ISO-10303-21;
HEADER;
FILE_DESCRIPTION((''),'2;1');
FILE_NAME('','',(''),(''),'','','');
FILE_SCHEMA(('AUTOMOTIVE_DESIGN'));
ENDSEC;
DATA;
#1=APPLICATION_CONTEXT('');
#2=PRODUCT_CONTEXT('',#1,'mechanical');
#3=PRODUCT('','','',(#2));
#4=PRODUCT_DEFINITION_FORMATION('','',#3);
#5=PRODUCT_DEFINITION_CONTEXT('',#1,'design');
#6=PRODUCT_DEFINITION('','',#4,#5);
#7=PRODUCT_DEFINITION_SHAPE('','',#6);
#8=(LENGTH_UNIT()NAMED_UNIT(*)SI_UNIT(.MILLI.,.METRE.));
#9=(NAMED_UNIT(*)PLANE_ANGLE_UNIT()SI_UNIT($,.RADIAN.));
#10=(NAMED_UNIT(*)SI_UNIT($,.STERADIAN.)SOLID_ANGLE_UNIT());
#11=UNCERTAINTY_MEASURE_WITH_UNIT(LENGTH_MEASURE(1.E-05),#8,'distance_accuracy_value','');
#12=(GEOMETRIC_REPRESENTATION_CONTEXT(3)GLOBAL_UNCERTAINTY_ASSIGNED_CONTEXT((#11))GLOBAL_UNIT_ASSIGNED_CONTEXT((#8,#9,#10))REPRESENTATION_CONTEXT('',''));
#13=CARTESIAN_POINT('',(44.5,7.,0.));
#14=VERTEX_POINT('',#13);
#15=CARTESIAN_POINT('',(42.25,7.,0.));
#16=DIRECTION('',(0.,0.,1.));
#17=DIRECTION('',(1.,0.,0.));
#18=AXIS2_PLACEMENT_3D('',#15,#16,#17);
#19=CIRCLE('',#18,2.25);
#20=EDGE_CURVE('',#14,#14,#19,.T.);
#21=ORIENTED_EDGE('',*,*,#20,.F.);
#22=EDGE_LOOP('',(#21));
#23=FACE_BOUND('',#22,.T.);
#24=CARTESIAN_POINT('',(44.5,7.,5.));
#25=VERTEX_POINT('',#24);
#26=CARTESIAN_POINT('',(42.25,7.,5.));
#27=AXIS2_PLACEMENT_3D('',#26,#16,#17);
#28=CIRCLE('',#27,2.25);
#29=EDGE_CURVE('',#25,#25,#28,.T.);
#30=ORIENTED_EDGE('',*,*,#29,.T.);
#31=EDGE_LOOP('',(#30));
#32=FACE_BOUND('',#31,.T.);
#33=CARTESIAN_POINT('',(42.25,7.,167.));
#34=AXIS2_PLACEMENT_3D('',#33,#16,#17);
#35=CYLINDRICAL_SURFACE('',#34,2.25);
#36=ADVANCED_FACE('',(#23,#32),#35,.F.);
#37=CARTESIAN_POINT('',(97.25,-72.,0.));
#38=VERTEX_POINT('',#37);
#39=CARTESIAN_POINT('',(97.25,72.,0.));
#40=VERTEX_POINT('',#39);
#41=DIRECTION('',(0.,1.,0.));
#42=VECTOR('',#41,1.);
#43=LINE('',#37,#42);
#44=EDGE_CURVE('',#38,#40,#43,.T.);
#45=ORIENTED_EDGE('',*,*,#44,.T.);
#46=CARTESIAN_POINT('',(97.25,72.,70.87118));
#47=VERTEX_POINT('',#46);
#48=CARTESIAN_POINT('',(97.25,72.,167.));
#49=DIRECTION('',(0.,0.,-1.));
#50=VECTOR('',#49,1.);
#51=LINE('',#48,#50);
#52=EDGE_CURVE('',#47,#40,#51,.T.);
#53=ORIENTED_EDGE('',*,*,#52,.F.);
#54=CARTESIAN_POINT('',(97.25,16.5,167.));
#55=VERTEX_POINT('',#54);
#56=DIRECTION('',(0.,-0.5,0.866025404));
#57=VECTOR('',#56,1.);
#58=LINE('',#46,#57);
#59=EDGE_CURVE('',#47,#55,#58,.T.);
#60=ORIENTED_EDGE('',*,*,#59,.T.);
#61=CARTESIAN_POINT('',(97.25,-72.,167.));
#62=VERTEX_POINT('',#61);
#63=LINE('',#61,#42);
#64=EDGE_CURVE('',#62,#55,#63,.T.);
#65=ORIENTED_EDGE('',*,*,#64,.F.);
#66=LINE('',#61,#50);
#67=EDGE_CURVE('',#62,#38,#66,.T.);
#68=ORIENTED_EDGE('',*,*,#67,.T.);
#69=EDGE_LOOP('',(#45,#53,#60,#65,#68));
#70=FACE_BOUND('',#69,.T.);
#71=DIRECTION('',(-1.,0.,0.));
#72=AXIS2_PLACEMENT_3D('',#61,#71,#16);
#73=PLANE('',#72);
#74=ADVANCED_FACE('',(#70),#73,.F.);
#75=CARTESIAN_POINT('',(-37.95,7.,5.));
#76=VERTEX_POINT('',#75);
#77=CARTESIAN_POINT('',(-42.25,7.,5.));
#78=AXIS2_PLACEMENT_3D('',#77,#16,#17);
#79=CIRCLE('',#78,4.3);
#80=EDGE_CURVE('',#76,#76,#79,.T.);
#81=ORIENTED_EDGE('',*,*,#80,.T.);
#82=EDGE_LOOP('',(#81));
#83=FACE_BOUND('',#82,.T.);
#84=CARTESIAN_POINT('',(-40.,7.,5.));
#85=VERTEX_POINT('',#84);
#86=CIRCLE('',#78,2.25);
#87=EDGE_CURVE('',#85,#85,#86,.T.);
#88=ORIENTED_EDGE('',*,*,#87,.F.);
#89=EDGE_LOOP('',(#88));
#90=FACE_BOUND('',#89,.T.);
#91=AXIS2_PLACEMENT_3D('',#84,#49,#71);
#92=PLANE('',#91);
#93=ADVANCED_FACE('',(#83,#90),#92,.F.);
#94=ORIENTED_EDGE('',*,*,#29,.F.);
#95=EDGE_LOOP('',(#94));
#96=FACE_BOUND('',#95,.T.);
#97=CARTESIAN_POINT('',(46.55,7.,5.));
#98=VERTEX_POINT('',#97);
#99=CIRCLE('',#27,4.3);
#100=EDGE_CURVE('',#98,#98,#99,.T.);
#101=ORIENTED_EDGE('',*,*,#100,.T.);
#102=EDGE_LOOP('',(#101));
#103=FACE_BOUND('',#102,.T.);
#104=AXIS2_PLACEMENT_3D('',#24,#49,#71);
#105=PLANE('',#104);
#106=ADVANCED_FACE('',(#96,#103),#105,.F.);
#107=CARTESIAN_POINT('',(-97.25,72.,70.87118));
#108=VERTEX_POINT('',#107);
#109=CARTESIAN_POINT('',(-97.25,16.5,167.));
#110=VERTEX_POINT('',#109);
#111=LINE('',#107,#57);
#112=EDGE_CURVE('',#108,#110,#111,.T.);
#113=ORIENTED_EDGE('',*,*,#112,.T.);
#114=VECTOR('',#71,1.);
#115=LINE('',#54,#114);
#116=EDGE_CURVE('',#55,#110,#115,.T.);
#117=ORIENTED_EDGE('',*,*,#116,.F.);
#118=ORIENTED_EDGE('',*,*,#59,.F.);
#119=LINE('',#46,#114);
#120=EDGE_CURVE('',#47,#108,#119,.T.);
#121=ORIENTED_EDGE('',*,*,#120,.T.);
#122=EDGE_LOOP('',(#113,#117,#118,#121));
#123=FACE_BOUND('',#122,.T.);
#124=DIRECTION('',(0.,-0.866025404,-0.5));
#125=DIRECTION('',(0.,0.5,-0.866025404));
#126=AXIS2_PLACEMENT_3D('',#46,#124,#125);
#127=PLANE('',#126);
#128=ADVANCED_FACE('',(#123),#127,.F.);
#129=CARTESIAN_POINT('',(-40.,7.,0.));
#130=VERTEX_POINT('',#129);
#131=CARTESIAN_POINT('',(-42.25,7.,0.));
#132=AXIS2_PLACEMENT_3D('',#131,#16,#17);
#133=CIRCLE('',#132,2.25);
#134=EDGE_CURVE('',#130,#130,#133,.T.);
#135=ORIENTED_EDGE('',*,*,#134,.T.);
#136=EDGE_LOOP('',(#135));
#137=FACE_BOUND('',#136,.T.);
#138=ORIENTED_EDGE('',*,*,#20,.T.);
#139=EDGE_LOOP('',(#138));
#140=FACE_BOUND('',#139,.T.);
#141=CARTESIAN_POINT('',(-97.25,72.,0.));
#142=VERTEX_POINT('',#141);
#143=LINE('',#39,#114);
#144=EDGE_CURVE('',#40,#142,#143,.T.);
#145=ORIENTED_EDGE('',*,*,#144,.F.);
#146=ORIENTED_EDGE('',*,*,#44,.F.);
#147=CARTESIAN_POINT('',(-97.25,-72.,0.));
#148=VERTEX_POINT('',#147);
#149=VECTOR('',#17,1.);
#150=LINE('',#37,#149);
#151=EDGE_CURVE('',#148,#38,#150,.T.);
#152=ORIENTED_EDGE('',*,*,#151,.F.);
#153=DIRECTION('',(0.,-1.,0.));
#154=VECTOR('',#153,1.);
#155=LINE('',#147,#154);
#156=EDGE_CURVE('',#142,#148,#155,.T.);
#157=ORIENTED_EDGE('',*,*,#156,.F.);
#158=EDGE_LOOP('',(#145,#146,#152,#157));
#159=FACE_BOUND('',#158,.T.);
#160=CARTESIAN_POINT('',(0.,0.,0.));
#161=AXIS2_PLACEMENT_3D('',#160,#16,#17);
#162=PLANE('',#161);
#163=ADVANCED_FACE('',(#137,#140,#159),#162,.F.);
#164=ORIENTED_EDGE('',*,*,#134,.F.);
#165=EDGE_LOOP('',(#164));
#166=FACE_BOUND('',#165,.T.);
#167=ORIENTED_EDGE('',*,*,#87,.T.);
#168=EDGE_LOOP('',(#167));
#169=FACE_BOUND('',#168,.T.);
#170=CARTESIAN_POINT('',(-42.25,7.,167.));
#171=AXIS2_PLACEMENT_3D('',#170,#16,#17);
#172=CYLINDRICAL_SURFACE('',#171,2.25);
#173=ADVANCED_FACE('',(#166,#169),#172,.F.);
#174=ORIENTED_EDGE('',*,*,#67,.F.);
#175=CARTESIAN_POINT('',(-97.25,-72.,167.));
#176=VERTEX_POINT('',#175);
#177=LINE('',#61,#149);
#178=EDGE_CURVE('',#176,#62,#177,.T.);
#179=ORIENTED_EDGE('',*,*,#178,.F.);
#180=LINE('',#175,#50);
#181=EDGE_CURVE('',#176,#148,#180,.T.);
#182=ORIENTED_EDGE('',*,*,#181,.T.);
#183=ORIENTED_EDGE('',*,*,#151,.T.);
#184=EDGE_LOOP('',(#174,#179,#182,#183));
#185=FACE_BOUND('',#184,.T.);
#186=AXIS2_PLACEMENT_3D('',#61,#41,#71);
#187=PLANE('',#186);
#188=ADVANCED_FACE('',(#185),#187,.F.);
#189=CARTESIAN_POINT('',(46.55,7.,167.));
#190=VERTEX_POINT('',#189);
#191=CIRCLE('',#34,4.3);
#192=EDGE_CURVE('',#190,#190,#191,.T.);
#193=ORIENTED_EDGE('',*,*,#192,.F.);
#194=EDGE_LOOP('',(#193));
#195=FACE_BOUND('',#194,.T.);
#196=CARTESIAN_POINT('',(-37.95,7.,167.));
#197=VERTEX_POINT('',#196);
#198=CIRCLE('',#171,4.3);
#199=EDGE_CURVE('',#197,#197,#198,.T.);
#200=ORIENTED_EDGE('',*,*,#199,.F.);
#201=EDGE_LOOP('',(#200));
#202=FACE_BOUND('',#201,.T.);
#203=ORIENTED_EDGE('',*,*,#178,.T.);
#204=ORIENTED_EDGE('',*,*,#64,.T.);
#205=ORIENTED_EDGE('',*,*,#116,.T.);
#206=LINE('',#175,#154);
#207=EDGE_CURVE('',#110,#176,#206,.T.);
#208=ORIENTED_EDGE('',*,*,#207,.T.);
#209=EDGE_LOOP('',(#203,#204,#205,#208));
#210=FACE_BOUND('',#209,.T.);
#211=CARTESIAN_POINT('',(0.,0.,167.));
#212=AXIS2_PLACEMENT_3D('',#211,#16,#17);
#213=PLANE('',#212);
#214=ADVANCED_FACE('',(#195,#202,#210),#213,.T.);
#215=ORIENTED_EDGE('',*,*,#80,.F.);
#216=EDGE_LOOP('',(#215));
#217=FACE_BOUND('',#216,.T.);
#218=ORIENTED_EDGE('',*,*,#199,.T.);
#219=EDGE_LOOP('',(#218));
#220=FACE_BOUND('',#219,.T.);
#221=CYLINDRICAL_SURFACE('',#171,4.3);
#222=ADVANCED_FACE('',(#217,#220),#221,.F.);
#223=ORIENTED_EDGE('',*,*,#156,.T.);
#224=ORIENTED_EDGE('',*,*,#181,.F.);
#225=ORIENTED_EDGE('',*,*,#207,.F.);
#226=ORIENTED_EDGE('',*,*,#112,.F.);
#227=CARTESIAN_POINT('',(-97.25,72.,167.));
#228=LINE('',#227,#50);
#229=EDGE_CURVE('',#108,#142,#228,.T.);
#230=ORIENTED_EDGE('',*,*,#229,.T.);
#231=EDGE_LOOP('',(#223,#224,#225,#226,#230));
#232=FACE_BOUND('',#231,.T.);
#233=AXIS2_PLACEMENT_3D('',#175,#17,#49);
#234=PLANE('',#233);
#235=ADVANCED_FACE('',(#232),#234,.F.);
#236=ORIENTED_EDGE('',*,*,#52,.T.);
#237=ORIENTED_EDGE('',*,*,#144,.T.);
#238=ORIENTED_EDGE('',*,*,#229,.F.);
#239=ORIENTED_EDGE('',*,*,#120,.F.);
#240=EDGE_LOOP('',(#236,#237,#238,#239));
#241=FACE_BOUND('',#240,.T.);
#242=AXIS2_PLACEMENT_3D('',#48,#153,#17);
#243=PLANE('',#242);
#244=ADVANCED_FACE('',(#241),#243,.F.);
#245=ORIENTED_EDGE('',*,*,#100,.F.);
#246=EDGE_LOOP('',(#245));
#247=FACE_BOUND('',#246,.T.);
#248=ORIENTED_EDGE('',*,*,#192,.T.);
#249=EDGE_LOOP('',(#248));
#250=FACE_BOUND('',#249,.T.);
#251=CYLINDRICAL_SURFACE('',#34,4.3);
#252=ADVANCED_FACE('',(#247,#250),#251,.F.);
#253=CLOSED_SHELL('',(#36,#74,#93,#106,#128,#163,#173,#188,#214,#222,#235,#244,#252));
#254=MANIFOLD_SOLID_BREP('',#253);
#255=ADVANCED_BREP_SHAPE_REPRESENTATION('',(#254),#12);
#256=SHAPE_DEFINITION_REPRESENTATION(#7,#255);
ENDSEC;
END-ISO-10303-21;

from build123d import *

# Parameters (mm, degrees)
SKIZZE2_W                                           = 194.5
SKIZZE2_H                                           = 144
AUFSATZ_LINEAR_AUSTRAGEN1_DEPTH                     = 167
STIRNSENKUNG_F_R_M4_SENKSCHRAUBE_KOPF_B_D           = 4.5
STIRNSENKUNG_F_R_M4_SENKSCHRAUBE_KOPF_B_CBORE_D     = 8.6
STIRNSENKUNG_F_R_M4_SENKSCHRAUBE_KOPF_B_CBORE_DEPTH = 162
SCHNITT_LINEAR_AUSTRAGEN1_DEPTH                     = 267.27664186


with BuildPart() as part:
    # Skizze2 → Aufsatz-Linear austragen1 (new body)
    with BuildSketch(Plane.XY):
        Rectangle(SKIZZE2_W, SKIZZE2_H)
    extrude(amount=AUFSATZ_LINEAR_AUSTRAGEN1_DEPTH)

    # Stirnsenkung für M4 Senkschraube (Kopf Button)1 (through all)
    with Locations(Plane.XY.offset(167)):
        with Locations((-42.25, 7)):
            stirnsenkung_f_r_m4_senkschraube_kopf_b = CounterBoreHole(STIRNSENKUNG_F_R_M4_SENKSCHRAUBE_KOPF_B_D / 2, STIRNSENKUNG_F_R_M4_SENKSCHRAUBE_KOPF_B_CBORE_D / 2, STIRNSENKUNG_F_R_M4_SENKSCHRAUBE_KOPF_B_CBORE_DEPTH)

    # Spiegeln1: Stirnsenkung für M4 Senkschraube (Kopf Button)1 across plane
    add(stirnsenkung_f_r_m4_senkschraube_kopf_b.mirror(Plane(origin=(0, 0, 0), x_dir=(0, 0, 1), z_dir=(1, 0, 0))), mode=Mode.SUBTRACT)

    # Skizze6 → Schnitt-Linear austragen1 (cut, through all)
    with BuildSketch(Plane.ZY.offset(97.25)):
        Polygon((70.87118018, 72), (167, 16.5), (205.188147907, 84.754255682), (82.593849392, 116.819294381), align=None)
    extrude(amount=-SCHNITT_LINEAR_AUSTRAGEN1_DEPTH, mode=Mode.SUBTRACT)


solid = part.part
